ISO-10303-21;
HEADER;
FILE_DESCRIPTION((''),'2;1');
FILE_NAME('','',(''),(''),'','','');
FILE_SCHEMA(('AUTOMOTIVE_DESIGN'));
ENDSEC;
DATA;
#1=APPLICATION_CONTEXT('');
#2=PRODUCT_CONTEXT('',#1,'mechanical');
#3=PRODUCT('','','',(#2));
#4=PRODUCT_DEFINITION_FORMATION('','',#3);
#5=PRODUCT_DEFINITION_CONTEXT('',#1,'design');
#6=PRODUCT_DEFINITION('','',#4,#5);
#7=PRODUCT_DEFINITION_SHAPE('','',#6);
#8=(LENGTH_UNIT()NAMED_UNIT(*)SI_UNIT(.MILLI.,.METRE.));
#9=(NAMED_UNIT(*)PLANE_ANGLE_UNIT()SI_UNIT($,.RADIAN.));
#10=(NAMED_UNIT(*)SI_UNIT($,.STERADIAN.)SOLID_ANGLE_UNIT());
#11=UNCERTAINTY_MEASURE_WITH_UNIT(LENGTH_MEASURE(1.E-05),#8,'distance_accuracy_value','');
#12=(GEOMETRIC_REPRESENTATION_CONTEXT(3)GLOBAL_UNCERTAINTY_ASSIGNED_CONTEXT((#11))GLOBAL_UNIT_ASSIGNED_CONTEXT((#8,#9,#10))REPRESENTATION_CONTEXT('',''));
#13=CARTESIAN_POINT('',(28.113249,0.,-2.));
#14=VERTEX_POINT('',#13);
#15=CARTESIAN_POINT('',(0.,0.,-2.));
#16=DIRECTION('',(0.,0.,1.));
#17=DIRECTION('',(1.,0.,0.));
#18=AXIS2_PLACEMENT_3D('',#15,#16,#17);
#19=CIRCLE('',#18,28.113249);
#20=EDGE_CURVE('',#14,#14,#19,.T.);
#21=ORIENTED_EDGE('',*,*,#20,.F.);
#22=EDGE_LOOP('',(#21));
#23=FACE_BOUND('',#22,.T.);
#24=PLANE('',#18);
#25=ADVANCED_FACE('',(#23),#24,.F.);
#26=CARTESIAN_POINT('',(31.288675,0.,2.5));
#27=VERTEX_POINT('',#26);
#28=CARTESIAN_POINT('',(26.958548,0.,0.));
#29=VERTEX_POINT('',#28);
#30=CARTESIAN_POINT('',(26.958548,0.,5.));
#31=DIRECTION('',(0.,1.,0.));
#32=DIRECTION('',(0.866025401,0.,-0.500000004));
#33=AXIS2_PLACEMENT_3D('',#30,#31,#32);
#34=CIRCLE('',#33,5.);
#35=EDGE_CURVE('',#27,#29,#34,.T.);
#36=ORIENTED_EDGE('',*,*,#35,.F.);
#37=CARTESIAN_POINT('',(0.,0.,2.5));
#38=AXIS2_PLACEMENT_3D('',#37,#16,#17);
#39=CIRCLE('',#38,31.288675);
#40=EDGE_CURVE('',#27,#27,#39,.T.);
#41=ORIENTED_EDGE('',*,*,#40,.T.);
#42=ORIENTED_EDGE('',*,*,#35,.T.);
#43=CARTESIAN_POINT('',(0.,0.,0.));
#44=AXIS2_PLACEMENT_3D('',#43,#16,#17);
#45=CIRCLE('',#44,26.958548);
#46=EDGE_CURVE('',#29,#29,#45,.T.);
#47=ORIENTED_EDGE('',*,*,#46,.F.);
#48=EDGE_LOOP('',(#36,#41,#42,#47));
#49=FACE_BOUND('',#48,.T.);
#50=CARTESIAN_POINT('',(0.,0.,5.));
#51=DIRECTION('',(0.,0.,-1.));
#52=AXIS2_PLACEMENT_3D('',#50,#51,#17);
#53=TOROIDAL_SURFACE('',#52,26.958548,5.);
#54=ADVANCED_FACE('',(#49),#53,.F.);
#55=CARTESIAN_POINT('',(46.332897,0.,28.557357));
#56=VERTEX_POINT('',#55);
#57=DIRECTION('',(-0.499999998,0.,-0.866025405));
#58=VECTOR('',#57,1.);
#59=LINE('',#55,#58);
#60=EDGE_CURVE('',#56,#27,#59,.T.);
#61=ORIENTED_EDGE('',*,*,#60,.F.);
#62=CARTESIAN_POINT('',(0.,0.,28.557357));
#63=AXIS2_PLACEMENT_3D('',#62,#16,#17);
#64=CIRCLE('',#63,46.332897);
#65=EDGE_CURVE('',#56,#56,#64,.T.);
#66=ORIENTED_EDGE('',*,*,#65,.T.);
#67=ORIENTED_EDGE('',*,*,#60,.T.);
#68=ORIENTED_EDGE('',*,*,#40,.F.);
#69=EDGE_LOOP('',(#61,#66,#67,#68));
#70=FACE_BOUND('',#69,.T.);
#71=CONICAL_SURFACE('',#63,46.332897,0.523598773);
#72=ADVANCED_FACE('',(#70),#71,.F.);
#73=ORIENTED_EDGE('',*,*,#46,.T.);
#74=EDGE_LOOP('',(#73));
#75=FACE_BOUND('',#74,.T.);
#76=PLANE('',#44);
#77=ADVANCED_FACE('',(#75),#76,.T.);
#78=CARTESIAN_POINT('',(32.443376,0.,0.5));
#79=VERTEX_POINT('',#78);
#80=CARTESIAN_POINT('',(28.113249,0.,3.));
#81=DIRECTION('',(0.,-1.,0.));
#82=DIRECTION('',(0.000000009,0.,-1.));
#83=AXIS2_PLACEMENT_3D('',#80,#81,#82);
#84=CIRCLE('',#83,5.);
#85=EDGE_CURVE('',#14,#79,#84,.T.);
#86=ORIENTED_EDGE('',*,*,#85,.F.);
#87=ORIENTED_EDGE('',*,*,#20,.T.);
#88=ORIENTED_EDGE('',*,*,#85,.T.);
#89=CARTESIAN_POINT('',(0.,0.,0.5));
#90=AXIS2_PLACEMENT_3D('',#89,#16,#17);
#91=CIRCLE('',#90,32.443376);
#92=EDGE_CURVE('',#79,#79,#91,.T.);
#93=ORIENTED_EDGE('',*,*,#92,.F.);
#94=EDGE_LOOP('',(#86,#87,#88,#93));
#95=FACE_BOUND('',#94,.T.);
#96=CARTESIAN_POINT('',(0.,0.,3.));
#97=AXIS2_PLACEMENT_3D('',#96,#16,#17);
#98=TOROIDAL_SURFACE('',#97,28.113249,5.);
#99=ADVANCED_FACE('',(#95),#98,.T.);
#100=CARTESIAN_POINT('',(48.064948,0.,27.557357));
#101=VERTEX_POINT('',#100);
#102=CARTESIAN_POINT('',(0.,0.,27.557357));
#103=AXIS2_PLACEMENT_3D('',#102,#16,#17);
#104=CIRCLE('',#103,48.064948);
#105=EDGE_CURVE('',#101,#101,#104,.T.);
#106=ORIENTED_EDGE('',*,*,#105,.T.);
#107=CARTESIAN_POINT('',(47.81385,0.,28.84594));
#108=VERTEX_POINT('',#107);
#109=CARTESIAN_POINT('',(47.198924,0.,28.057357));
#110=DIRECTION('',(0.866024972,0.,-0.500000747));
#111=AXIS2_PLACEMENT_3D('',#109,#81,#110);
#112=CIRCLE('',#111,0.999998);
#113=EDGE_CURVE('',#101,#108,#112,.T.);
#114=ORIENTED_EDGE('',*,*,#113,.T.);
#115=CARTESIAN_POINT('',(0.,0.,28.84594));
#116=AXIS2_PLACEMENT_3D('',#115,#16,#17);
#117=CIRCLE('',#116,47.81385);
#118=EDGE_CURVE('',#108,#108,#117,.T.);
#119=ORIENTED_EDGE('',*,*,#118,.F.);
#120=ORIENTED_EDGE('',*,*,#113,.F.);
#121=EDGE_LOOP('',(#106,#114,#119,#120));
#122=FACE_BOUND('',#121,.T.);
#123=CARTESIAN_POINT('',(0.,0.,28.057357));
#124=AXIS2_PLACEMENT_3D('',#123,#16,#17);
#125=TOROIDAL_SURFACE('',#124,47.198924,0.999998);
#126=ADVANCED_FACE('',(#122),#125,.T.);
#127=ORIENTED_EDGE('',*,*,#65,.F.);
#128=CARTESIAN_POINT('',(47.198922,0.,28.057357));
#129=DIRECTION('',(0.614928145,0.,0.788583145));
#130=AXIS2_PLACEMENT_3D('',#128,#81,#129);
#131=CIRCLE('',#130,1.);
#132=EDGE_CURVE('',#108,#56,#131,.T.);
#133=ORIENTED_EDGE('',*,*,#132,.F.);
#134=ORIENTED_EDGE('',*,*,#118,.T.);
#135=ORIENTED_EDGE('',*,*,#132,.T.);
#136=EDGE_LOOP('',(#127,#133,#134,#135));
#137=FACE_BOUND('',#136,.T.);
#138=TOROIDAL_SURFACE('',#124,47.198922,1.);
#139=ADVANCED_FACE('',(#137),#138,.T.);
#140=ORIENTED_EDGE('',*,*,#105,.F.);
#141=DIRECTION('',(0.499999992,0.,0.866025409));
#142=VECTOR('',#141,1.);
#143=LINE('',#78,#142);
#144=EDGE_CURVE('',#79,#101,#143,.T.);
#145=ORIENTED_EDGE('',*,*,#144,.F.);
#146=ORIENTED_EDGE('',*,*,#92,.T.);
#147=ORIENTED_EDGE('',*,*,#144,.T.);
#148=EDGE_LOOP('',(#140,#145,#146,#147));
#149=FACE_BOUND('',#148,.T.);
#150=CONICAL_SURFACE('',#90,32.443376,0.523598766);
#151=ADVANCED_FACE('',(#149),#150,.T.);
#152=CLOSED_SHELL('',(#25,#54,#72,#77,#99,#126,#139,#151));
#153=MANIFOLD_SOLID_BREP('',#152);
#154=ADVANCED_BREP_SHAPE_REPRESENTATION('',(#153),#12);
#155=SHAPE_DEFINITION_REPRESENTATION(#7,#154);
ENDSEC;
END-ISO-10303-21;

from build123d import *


with BuildPart() as f1:
    # F0 (on Front) → F1 (revolve)
    with BuildSketch(Plane.XZ):
        with BuildLine():
            Line((26.958548, 0), (0, 0))
            Line((0, 0), (0, -2))
            Line((0, -2), (28.113249, -2))
            ThreePointArc((28.113249, -2), (30.613249, -1.330127), (32.443376, 0.5))
            Line((32.443376, 0.5), (48.064948, 27.557357))
            ThreePointArc((48.064948, 27.557357), (48.180461, 28.248623), (47.81385, 28.84594))
            ThreePointArc((47.81385, 28.84594), (47.007656, 29.038895), (46.332897, 28.557357))
            Line((46.332897, 28.557357), (31.288675, 2.5))
            ThreePointArc((31.288675, 2.5), (29.458548, 0.669873), (26.958548, 0))
        make_face()
    revolve(axis=Axis((0, 0, 22.936326), (0, 0, 1)))


solid = f1.part
